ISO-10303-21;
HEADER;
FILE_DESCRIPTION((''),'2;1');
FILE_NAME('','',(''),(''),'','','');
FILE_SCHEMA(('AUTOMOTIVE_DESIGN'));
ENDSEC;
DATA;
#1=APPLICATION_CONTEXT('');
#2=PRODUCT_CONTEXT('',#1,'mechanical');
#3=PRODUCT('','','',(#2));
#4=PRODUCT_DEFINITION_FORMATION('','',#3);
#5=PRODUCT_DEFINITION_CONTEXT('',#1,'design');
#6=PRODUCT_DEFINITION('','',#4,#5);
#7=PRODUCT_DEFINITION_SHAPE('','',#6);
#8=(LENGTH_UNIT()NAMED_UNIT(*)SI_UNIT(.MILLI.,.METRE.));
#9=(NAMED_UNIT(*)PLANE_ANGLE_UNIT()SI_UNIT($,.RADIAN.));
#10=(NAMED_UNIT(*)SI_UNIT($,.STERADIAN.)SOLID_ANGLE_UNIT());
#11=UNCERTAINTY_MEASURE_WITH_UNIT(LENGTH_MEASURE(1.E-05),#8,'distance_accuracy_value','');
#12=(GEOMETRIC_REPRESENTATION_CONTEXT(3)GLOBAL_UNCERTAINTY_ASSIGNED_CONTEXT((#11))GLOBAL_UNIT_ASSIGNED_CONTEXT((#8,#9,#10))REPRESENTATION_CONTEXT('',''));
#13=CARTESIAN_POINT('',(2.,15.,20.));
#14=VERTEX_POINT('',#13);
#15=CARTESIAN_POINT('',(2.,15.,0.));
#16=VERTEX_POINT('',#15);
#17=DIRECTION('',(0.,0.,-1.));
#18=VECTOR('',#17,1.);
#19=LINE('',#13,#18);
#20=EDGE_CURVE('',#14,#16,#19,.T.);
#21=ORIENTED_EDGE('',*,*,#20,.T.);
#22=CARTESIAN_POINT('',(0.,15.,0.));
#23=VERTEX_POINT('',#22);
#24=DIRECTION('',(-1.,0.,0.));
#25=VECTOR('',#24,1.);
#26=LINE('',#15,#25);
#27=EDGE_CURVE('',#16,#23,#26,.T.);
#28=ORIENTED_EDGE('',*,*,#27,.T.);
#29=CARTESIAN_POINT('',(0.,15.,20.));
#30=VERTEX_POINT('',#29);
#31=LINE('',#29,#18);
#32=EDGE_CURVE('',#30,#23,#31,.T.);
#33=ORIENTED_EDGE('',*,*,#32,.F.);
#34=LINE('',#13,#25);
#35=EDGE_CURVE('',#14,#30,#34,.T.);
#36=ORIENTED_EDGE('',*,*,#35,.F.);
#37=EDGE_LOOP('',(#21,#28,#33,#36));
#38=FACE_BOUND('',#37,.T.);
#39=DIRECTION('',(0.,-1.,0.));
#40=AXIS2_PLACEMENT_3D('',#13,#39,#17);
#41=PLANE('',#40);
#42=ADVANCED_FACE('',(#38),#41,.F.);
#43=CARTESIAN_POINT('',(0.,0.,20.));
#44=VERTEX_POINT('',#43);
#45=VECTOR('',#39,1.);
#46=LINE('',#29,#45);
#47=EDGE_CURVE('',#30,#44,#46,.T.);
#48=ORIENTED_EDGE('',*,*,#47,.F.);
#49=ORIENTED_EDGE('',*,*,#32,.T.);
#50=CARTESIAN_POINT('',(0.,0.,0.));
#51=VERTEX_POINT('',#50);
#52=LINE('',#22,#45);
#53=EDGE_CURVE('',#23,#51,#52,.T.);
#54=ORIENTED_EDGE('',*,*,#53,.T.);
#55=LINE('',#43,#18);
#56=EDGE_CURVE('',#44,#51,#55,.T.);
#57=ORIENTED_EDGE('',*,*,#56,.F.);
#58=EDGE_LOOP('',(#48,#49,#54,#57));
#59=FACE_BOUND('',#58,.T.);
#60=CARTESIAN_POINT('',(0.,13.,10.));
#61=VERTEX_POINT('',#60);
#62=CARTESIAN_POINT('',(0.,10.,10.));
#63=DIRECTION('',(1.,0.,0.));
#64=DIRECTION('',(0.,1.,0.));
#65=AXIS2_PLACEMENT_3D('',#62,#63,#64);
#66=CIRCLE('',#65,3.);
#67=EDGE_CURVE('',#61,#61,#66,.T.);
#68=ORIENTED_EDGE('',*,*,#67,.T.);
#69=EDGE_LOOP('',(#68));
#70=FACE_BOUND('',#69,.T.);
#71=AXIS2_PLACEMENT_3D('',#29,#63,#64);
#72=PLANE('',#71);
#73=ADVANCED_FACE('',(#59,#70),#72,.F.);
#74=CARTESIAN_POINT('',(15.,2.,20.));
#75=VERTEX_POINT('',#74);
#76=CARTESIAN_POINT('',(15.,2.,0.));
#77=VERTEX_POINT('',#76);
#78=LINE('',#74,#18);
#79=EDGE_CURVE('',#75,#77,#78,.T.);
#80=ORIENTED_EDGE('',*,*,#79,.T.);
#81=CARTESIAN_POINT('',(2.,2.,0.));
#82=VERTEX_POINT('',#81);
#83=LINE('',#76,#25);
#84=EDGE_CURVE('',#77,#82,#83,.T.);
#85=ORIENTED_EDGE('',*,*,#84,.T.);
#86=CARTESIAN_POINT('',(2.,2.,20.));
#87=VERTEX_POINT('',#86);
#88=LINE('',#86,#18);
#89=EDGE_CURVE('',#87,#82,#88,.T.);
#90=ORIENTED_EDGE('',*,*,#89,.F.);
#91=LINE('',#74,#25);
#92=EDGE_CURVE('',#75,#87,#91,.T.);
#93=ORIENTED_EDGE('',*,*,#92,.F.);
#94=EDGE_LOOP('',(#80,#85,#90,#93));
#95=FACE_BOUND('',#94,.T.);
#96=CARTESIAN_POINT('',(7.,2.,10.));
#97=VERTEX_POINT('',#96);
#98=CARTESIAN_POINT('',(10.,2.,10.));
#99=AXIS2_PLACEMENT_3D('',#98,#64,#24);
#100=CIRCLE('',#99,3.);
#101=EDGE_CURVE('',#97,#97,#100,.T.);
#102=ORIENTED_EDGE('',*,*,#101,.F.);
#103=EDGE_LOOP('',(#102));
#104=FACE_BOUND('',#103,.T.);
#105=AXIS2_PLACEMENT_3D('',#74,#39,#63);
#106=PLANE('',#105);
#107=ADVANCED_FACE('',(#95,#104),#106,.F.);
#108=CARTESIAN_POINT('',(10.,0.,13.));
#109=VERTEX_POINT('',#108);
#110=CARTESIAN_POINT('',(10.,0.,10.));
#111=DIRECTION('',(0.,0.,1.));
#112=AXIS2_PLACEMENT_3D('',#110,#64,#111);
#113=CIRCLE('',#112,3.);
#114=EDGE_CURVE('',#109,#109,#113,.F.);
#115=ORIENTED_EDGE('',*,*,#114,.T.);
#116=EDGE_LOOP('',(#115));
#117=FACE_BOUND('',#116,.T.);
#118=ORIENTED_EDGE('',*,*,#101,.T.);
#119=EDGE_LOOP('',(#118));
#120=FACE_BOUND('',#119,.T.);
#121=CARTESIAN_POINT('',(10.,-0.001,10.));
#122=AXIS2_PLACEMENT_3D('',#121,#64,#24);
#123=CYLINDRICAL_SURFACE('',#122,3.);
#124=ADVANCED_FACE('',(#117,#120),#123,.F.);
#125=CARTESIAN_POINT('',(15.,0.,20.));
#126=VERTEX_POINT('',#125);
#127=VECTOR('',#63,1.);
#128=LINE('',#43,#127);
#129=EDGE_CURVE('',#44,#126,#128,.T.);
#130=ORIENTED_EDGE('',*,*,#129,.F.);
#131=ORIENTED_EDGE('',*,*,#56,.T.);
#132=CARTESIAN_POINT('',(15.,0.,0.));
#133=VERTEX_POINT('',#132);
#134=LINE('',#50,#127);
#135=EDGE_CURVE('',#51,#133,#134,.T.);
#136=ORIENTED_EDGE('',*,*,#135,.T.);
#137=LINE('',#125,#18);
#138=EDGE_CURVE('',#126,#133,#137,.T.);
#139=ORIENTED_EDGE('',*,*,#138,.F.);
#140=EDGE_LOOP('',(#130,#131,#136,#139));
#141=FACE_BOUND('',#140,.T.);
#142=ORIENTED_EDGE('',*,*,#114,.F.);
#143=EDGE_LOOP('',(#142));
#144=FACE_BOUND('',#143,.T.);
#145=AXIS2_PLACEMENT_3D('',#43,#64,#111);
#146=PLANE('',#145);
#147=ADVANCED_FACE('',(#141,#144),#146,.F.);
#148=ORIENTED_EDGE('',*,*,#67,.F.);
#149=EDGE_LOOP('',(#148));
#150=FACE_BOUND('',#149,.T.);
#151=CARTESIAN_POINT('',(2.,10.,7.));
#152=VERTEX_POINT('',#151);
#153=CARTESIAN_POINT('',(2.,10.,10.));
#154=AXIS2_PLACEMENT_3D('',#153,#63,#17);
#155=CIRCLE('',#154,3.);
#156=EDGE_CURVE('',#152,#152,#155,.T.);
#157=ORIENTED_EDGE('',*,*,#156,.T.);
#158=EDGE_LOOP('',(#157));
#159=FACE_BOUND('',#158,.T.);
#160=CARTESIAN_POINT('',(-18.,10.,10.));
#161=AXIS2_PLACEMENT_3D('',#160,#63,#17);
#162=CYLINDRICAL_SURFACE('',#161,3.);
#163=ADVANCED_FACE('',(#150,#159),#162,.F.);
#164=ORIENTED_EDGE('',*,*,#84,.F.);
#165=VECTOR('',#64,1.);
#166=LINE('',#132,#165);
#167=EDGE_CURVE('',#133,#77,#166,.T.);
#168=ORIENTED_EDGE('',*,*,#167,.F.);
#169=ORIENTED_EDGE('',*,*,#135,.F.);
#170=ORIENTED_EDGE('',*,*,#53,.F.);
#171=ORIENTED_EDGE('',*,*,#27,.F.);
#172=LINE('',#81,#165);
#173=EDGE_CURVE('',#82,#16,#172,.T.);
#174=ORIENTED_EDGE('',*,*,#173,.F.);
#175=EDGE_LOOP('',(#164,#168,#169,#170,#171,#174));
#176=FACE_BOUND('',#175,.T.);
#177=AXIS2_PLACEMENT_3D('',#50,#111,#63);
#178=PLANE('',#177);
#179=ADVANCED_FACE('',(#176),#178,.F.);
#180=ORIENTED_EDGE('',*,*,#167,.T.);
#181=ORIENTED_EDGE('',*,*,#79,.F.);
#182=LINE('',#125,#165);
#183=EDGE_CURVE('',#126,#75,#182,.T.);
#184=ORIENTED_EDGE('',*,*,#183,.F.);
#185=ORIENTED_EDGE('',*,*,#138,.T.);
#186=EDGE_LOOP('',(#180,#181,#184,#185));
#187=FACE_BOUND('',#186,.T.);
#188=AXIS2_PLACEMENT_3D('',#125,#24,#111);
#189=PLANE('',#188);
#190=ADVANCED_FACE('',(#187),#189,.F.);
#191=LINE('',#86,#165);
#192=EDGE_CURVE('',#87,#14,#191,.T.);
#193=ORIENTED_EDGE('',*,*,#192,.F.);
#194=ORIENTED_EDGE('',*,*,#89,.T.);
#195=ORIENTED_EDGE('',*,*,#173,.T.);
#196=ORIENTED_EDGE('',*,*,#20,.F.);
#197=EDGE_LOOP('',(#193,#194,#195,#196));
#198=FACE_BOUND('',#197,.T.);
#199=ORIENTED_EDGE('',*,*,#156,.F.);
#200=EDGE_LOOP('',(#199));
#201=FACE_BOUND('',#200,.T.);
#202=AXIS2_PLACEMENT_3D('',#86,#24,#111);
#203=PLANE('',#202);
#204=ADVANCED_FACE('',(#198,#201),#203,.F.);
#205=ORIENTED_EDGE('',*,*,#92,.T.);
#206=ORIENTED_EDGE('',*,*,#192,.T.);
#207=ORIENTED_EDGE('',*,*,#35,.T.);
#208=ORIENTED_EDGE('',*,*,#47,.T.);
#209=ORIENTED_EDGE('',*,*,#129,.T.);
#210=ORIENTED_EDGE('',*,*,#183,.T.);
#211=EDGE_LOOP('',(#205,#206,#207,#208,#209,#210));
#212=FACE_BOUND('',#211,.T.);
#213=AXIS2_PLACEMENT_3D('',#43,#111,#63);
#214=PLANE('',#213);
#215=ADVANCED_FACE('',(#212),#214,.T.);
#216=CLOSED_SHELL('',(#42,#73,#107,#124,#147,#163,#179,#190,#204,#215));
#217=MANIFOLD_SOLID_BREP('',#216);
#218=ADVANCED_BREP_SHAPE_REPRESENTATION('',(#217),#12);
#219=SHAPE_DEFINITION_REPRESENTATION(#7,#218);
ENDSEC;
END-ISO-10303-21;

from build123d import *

# Parameters (mm, degrees)
BOSS_EXTRUDE1_DEPTH = 20
CUT_EXTRUDE1_REACH  = 4
SKETCH2_R           = 3
SKETCH3_R           = 3
CUT_EXTRUDE2_DEPTH  = 20


with BuildPart() as part:
    # Sketch1 → Boss-Extrude1 (new body)
    with BuildSketch(Plane.XY):
        Polygon((0, 0), (15, 0), (15, 2), (2, 2), (2, 15), (0, 15), align=None)
    extrude(amount=BOSS_EXTRUDE1_DEPTH)

    # Sketch2 → Cut-Extrude1 (cut, up to next)
    with BuildSketch(Plane(origin=(0, 2, 0), x_dir=(1, 0, 0), z_dir=(0, 1, 0)), mode=Mode.PRIVATE) as cut_extrude1_sk1:
        with Locations((10, -10)):
            Circle(SKETCH2_R)
    cut_extrude1_tool1 = extrude(cut_extrude1_sk1.sketch, amount=-CUT_EXTRUDE1_REACH, mode=Mode.PRIVATE) & part.part
    add(cut_extrude1_tool1.solids().sort_by_distance((10, 2, 10))[0], mode=Mode.SUBTRACT)

    # Sketch3 → Cut-Extrude2 (cut)
    with BuildSketch(Plane(origin=(2, 0, 0), x_dir=(0, 0, -1), z_dir=(1, 0, 0))):
        with Locations((-10, 10)):
            Circle(SKETCH3_R)
    extrude(amount=-CUT_EXTRUDE2_DEPTH, mode=Mode.SUBTRACT)


solid = part.part
